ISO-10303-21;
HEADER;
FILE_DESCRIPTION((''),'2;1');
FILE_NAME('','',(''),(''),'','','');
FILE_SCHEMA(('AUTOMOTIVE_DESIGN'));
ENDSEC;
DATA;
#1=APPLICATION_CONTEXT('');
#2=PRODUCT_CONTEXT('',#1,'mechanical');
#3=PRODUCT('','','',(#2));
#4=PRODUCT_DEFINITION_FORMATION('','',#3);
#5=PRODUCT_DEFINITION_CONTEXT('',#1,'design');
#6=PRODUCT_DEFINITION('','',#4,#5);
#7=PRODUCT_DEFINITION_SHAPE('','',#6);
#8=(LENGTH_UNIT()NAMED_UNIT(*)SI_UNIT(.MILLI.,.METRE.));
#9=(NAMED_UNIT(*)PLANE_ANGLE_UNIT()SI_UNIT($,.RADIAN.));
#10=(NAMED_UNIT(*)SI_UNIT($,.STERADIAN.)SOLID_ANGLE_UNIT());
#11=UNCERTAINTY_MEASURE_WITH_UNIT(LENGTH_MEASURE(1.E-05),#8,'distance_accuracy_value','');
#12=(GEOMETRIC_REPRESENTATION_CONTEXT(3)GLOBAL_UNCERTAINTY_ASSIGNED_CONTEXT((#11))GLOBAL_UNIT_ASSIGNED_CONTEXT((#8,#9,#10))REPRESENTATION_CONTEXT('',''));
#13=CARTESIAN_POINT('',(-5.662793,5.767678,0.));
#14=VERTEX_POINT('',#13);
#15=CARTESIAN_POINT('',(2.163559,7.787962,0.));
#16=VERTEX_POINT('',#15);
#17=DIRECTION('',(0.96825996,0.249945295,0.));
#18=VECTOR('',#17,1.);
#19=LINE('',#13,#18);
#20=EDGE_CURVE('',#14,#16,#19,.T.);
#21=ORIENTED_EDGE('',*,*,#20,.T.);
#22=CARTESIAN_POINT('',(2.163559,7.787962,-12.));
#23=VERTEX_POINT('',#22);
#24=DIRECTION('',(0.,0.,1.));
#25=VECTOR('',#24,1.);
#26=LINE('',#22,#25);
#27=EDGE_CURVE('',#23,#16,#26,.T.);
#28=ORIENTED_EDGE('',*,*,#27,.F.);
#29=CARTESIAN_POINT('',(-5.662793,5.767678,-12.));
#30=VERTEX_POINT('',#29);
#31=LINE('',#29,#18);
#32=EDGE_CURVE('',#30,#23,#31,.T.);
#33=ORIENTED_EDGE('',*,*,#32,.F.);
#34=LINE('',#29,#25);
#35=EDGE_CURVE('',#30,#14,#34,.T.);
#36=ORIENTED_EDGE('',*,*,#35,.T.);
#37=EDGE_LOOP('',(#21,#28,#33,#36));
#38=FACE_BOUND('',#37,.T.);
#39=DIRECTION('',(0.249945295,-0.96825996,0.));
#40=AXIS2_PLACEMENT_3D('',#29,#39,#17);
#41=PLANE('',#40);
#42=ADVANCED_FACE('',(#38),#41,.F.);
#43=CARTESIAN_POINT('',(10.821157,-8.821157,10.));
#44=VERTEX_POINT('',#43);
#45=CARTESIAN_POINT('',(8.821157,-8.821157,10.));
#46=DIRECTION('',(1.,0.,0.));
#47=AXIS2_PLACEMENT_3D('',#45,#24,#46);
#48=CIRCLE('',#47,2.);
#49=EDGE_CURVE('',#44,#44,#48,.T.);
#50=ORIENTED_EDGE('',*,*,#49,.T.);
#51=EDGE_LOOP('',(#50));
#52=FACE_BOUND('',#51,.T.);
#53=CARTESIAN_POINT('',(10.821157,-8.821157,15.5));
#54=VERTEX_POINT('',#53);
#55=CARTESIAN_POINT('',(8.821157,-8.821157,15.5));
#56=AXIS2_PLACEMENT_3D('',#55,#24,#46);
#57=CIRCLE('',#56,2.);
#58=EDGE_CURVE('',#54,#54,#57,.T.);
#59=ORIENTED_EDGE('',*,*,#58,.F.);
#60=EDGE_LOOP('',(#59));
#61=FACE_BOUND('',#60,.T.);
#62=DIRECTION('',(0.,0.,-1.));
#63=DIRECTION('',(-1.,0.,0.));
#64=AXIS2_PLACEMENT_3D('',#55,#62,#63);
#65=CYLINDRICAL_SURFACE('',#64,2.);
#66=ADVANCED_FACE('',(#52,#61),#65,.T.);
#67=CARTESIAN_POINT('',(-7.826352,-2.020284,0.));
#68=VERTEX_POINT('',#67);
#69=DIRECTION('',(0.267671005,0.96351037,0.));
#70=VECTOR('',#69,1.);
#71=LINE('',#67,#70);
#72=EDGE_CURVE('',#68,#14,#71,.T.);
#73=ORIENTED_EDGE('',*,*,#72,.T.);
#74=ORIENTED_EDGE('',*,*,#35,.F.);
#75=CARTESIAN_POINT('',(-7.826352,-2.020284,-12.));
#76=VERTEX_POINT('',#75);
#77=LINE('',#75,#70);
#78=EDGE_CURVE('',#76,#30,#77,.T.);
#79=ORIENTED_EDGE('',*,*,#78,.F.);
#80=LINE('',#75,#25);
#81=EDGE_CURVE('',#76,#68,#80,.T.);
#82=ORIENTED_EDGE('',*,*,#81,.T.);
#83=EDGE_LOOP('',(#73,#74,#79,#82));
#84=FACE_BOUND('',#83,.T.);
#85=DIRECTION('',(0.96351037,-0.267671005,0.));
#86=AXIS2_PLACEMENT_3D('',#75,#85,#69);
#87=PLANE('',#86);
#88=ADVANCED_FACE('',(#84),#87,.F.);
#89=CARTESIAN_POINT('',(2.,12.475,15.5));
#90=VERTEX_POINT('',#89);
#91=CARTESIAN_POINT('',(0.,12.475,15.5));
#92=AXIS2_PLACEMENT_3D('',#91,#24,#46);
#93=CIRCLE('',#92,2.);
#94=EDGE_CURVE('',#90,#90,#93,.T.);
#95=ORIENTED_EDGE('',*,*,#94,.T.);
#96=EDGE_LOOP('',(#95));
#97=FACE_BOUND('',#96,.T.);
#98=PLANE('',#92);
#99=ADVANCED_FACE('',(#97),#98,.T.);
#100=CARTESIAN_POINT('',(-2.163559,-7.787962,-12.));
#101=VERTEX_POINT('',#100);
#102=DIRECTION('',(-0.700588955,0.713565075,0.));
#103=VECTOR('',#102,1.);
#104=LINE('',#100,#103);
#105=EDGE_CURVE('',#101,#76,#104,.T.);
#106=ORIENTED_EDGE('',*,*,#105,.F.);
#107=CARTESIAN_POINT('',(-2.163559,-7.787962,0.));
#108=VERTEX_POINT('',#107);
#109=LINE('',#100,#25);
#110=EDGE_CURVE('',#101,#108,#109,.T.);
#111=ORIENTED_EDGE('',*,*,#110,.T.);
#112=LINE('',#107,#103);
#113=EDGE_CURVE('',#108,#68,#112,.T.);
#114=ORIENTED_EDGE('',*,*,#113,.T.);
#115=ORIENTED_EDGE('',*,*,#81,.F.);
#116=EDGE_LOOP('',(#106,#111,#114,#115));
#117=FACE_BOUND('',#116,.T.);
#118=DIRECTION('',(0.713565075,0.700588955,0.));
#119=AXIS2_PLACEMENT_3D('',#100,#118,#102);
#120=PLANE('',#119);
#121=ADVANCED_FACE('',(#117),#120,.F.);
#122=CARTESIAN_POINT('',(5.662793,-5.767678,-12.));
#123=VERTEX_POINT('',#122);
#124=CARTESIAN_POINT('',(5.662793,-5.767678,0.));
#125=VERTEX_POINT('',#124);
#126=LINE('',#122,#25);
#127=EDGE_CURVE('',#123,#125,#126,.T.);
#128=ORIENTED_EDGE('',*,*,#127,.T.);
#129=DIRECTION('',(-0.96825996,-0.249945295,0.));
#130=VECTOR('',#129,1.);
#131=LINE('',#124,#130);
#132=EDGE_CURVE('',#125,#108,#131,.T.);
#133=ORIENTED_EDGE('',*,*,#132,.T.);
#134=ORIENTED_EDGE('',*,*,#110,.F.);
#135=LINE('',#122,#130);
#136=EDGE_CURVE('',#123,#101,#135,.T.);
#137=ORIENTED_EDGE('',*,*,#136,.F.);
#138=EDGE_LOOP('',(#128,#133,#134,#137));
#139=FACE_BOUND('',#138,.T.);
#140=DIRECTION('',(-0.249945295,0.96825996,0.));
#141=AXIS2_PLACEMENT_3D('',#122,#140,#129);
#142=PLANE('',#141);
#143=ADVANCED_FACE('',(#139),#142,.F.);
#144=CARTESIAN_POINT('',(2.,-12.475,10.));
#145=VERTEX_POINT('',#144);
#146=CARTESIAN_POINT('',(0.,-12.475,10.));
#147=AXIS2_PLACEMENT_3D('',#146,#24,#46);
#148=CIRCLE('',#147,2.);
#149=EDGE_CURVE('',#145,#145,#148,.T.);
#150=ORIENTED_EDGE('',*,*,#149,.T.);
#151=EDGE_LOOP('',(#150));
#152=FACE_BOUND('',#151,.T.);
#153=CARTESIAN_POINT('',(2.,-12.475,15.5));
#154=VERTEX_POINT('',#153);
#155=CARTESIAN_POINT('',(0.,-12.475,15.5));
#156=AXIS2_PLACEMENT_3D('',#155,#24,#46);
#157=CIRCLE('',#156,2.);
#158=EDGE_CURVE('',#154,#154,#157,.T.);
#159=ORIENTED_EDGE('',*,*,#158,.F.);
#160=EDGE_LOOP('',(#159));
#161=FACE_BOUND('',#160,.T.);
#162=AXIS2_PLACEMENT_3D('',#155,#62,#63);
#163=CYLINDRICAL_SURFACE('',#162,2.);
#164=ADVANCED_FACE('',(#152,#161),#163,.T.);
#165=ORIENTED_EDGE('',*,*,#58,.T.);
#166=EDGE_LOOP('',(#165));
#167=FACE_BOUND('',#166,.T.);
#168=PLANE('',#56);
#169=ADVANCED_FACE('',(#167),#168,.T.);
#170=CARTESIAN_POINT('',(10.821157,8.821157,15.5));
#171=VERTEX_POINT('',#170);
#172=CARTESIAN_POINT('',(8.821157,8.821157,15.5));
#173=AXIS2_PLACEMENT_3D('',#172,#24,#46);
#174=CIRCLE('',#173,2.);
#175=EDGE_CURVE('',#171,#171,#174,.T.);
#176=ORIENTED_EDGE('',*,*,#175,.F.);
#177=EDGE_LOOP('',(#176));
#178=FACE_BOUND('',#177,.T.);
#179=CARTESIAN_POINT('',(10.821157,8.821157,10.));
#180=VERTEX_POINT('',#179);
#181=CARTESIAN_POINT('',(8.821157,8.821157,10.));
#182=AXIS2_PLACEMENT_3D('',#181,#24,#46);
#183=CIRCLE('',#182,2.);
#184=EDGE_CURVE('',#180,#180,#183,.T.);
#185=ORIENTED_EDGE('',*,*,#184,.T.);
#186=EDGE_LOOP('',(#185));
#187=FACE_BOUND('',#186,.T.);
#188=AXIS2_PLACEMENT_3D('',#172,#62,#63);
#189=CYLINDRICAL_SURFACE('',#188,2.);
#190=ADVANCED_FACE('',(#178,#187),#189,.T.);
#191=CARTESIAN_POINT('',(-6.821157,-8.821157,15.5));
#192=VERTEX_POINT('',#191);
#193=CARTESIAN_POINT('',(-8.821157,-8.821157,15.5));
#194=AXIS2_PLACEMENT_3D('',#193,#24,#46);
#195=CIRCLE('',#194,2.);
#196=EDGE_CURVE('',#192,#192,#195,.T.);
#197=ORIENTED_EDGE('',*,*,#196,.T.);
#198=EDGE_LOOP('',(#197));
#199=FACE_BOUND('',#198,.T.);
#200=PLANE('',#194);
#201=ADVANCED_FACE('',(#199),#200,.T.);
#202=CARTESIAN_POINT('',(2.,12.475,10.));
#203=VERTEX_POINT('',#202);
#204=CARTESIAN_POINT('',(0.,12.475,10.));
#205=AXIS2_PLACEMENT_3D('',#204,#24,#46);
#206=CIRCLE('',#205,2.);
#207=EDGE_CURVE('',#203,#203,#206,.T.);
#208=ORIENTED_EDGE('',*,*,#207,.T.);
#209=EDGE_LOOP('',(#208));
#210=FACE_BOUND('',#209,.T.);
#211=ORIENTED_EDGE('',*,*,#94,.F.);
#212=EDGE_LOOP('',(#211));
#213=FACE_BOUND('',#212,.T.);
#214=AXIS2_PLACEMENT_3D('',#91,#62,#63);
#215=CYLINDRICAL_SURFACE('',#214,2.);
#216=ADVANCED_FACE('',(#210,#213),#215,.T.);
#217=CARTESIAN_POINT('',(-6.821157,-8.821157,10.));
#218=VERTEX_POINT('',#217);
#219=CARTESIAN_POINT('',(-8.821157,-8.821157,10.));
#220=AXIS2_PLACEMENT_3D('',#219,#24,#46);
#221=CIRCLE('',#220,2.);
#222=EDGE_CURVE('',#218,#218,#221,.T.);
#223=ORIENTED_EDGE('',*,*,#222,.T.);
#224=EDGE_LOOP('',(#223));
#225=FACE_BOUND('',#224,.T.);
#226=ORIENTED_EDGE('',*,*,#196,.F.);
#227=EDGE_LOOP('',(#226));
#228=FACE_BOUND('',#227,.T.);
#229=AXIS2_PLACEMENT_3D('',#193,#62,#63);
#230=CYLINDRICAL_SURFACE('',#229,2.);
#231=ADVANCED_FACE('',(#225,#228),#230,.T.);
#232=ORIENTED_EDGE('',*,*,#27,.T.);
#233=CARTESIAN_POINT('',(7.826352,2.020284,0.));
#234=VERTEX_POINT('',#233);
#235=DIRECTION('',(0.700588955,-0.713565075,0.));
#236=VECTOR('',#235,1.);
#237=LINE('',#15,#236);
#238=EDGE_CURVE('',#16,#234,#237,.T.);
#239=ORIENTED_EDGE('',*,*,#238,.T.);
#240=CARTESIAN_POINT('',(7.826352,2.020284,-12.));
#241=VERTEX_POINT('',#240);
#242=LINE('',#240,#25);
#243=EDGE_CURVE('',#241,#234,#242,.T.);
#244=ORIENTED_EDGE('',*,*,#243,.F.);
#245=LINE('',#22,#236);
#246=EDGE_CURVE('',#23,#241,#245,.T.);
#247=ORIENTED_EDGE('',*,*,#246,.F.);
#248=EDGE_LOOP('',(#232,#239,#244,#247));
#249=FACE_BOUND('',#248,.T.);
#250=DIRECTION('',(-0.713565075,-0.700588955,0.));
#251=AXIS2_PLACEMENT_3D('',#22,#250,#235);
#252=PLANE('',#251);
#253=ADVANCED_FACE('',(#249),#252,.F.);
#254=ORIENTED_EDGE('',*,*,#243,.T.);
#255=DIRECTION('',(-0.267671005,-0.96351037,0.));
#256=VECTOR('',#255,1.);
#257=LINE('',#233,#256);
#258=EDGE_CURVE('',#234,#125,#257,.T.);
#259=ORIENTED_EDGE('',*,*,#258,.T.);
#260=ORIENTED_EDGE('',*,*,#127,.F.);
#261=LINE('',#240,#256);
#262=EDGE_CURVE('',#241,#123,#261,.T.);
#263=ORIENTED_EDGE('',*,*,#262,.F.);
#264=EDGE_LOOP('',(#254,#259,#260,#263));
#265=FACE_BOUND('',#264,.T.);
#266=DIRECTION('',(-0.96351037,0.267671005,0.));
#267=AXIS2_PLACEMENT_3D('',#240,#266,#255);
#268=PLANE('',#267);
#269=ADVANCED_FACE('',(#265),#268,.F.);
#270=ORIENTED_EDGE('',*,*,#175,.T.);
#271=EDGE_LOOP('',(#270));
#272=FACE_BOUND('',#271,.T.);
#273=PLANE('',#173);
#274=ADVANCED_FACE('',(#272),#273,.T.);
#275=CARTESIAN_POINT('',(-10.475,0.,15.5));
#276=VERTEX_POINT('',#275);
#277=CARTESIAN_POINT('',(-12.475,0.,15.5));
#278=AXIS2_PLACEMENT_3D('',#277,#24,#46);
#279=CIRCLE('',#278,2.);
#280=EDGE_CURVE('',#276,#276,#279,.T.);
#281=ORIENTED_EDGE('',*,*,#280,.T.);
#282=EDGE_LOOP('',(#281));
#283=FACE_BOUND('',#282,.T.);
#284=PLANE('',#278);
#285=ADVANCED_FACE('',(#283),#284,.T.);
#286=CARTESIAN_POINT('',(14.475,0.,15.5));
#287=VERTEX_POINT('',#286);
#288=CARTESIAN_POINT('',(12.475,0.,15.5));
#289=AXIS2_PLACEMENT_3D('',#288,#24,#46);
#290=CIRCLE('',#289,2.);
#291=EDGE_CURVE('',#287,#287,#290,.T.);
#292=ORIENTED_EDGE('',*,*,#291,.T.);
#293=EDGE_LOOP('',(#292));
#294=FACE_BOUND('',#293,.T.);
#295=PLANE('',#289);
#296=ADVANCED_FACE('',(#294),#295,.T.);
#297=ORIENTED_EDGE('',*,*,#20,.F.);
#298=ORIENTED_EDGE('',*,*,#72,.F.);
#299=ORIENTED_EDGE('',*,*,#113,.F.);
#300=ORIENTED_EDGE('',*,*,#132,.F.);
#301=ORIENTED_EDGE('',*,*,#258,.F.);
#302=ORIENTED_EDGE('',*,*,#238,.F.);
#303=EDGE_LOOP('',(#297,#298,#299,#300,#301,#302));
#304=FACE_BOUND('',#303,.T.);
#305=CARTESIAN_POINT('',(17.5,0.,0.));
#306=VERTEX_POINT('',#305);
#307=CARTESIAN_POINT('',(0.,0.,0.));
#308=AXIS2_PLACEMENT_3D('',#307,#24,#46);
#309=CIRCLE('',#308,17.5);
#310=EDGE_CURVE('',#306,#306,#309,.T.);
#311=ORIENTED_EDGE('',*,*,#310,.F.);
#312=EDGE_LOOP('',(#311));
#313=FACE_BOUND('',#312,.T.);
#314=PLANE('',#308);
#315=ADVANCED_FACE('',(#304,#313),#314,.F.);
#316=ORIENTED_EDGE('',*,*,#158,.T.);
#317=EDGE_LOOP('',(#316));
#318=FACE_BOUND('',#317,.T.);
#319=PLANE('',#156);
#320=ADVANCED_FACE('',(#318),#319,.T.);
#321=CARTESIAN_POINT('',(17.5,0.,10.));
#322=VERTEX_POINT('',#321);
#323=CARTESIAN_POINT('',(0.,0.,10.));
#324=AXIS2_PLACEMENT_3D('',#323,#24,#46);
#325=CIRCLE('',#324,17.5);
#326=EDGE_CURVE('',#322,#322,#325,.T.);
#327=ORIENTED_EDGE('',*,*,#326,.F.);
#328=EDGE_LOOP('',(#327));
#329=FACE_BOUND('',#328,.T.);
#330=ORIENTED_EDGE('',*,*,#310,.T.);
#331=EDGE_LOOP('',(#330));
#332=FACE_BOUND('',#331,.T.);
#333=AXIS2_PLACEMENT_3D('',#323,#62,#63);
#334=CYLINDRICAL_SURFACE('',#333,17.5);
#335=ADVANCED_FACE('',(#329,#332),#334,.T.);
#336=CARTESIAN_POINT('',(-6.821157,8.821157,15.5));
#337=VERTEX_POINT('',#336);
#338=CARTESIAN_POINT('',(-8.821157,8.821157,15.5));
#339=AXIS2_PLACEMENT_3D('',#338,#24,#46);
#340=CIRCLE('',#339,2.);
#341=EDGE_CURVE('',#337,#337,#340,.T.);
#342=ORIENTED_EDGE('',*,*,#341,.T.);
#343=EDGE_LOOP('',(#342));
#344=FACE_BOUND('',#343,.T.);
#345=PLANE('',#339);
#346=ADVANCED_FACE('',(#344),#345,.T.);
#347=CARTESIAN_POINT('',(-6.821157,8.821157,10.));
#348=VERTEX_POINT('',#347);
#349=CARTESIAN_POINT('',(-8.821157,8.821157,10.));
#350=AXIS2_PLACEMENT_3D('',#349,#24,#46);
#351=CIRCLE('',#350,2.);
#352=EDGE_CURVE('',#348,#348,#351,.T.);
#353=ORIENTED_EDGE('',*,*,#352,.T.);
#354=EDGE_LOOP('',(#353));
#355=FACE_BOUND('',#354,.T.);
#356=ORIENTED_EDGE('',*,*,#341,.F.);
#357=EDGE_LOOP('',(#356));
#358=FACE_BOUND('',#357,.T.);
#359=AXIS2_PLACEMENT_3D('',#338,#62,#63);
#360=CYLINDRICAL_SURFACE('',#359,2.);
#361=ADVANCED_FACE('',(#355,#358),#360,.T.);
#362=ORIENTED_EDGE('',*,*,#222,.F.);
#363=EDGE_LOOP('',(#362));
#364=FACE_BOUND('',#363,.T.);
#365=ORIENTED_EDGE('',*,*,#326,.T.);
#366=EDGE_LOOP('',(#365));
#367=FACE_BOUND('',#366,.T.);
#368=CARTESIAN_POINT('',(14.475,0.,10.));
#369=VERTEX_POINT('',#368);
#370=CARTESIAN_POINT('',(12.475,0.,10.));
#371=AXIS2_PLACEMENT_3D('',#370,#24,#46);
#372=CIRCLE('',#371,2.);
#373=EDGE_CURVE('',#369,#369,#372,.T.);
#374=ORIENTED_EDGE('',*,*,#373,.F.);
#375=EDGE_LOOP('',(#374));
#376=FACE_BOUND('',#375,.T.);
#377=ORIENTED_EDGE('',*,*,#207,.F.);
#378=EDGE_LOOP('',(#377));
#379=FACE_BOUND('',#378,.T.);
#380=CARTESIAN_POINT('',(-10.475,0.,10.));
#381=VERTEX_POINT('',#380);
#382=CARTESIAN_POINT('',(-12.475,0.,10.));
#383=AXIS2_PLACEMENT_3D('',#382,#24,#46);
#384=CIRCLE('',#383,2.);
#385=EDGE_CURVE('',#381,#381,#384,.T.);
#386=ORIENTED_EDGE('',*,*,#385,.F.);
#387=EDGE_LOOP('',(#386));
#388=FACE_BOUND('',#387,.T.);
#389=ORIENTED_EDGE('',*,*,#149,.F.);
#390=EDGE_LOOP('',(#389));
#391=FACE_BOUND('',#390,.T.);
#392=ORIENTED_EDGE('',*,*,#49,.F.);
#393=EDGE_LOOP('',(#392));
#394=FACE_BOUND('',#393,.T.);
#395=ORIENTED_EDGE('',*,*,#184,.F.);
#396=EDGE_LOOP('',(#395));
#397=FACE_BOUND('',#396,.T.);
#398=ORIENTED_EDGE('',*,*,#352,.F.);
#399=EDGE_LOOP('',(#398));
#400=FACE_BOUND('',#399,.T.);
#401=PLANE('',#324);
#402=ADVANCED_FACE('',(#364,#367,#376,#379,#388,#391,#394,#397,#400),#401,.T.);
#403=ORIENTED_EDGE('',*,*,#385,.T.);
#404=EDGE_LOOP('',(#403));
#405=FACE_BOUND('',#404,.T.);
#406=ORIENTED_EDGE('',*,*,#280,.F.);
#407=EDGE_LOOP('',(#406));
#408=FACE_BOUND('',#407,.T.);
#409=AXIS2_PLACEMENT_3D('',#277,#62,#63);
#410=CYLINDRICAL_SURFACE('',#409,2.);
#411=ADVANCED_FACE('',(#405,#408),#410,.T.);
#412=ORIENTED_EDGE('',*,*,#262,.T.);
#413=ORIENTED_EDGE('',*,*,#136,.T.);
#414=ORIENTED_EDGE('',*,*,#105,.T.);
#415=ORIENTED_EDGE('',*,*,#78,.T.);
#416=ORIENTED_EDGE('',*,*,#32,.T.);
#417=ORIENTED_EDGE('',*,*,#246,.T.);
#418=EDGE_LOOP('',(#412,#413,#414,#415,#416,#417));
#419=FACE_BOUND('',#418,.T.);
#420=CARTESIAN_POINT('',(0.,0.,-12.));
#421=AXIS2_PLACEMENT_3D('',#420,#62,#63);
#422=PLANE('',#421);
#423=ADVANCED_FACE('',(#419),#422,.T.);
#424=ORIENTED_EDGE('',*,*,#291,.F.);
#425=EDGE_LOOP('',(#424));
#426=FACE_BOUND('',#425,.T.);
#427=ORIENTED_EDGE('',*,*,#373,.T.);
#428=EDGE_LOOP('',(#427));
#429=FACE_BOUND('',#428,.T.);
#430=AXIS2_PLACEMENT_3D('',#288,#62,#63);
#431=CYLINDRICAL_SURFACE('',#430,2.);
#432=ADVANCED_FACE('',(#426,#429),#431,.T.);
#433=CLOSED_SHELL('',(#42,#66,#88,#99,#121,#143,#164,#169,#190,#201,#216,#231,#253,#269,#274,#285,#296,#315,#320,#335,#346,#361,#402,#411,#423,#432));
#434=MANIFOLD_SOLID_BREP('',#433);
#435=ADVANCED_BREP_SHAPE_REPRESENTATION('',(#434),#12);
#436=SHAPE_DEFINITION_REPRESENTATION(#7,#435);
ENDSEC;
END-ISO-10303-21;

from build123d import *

# Parameters (mm, degrees)
ESQUISSE1_R        = 17.5
BOSS_EXTRU_1_DEPTH = 10
ESQUISSE2_R        = 2
BOSS_EXTRU_2_DEPTH = 5.5
BOSS_EXTRU_3_DEPTH = 12


with BuildPart() as part:
    # Esquisse1 → Boss.-Extru.1 (new body)
    with BuildSketch(Plane.XY):
        Circle(ESQUISSE1_R)
    extrude(amount=BOSS_EXTRU_1_DEPTH)

    # Esquisse2 → Boss.-Extru.2 (add)
    with BuildSketch(Plane.XY.offset(10)):
        with Locations((8.821157095, 8.821157095)):
            Circle(ESQUISSE2_R)
        with Locations((0, 12.475)):
            Circle(ESQUISSE2_R)
        with Locations((12.475, 0)):
            Circle(ESQUISSE2_R)
        with Locations((8.821157095, -8.821157095)):
            Circle(ESQUISSE2_R)
        with Locations((0, -12.475)):
            Circle(ESQUISSE2_R)
        with Locations((-8.821157095, -8.821157095)):
            Circle(ESQUISSE2_R)
        with Locations((-12.475, 0)):
            Circle(ESQUISSE2_R)
        with Locations((-8.821157095, 8.821157095)):
            Circle(ESQUISSE2_R)
    extrude(amount=BOSS_EXTRU_2_DEPTH)

    # Esquisse3 → Boss.-Extru.3 (add)
    with BuildSketch(Plane(origin=(0, 0, 0), x_dir=(-1, 0, 0), z_dir=(0, 0, -1))):
        Polygon((5.662793102, 5.767677835), (-2.163558975, 7.787961601), (-7.826352077, 2.020283765), (-5.662793102, -5.767677835), (2.163558975, -7.787961601), (7.826352077, -2.020283765), align=None)
    extrude(amount=BOSS_EXTRU_3_DEPTH)


solid = part.part
